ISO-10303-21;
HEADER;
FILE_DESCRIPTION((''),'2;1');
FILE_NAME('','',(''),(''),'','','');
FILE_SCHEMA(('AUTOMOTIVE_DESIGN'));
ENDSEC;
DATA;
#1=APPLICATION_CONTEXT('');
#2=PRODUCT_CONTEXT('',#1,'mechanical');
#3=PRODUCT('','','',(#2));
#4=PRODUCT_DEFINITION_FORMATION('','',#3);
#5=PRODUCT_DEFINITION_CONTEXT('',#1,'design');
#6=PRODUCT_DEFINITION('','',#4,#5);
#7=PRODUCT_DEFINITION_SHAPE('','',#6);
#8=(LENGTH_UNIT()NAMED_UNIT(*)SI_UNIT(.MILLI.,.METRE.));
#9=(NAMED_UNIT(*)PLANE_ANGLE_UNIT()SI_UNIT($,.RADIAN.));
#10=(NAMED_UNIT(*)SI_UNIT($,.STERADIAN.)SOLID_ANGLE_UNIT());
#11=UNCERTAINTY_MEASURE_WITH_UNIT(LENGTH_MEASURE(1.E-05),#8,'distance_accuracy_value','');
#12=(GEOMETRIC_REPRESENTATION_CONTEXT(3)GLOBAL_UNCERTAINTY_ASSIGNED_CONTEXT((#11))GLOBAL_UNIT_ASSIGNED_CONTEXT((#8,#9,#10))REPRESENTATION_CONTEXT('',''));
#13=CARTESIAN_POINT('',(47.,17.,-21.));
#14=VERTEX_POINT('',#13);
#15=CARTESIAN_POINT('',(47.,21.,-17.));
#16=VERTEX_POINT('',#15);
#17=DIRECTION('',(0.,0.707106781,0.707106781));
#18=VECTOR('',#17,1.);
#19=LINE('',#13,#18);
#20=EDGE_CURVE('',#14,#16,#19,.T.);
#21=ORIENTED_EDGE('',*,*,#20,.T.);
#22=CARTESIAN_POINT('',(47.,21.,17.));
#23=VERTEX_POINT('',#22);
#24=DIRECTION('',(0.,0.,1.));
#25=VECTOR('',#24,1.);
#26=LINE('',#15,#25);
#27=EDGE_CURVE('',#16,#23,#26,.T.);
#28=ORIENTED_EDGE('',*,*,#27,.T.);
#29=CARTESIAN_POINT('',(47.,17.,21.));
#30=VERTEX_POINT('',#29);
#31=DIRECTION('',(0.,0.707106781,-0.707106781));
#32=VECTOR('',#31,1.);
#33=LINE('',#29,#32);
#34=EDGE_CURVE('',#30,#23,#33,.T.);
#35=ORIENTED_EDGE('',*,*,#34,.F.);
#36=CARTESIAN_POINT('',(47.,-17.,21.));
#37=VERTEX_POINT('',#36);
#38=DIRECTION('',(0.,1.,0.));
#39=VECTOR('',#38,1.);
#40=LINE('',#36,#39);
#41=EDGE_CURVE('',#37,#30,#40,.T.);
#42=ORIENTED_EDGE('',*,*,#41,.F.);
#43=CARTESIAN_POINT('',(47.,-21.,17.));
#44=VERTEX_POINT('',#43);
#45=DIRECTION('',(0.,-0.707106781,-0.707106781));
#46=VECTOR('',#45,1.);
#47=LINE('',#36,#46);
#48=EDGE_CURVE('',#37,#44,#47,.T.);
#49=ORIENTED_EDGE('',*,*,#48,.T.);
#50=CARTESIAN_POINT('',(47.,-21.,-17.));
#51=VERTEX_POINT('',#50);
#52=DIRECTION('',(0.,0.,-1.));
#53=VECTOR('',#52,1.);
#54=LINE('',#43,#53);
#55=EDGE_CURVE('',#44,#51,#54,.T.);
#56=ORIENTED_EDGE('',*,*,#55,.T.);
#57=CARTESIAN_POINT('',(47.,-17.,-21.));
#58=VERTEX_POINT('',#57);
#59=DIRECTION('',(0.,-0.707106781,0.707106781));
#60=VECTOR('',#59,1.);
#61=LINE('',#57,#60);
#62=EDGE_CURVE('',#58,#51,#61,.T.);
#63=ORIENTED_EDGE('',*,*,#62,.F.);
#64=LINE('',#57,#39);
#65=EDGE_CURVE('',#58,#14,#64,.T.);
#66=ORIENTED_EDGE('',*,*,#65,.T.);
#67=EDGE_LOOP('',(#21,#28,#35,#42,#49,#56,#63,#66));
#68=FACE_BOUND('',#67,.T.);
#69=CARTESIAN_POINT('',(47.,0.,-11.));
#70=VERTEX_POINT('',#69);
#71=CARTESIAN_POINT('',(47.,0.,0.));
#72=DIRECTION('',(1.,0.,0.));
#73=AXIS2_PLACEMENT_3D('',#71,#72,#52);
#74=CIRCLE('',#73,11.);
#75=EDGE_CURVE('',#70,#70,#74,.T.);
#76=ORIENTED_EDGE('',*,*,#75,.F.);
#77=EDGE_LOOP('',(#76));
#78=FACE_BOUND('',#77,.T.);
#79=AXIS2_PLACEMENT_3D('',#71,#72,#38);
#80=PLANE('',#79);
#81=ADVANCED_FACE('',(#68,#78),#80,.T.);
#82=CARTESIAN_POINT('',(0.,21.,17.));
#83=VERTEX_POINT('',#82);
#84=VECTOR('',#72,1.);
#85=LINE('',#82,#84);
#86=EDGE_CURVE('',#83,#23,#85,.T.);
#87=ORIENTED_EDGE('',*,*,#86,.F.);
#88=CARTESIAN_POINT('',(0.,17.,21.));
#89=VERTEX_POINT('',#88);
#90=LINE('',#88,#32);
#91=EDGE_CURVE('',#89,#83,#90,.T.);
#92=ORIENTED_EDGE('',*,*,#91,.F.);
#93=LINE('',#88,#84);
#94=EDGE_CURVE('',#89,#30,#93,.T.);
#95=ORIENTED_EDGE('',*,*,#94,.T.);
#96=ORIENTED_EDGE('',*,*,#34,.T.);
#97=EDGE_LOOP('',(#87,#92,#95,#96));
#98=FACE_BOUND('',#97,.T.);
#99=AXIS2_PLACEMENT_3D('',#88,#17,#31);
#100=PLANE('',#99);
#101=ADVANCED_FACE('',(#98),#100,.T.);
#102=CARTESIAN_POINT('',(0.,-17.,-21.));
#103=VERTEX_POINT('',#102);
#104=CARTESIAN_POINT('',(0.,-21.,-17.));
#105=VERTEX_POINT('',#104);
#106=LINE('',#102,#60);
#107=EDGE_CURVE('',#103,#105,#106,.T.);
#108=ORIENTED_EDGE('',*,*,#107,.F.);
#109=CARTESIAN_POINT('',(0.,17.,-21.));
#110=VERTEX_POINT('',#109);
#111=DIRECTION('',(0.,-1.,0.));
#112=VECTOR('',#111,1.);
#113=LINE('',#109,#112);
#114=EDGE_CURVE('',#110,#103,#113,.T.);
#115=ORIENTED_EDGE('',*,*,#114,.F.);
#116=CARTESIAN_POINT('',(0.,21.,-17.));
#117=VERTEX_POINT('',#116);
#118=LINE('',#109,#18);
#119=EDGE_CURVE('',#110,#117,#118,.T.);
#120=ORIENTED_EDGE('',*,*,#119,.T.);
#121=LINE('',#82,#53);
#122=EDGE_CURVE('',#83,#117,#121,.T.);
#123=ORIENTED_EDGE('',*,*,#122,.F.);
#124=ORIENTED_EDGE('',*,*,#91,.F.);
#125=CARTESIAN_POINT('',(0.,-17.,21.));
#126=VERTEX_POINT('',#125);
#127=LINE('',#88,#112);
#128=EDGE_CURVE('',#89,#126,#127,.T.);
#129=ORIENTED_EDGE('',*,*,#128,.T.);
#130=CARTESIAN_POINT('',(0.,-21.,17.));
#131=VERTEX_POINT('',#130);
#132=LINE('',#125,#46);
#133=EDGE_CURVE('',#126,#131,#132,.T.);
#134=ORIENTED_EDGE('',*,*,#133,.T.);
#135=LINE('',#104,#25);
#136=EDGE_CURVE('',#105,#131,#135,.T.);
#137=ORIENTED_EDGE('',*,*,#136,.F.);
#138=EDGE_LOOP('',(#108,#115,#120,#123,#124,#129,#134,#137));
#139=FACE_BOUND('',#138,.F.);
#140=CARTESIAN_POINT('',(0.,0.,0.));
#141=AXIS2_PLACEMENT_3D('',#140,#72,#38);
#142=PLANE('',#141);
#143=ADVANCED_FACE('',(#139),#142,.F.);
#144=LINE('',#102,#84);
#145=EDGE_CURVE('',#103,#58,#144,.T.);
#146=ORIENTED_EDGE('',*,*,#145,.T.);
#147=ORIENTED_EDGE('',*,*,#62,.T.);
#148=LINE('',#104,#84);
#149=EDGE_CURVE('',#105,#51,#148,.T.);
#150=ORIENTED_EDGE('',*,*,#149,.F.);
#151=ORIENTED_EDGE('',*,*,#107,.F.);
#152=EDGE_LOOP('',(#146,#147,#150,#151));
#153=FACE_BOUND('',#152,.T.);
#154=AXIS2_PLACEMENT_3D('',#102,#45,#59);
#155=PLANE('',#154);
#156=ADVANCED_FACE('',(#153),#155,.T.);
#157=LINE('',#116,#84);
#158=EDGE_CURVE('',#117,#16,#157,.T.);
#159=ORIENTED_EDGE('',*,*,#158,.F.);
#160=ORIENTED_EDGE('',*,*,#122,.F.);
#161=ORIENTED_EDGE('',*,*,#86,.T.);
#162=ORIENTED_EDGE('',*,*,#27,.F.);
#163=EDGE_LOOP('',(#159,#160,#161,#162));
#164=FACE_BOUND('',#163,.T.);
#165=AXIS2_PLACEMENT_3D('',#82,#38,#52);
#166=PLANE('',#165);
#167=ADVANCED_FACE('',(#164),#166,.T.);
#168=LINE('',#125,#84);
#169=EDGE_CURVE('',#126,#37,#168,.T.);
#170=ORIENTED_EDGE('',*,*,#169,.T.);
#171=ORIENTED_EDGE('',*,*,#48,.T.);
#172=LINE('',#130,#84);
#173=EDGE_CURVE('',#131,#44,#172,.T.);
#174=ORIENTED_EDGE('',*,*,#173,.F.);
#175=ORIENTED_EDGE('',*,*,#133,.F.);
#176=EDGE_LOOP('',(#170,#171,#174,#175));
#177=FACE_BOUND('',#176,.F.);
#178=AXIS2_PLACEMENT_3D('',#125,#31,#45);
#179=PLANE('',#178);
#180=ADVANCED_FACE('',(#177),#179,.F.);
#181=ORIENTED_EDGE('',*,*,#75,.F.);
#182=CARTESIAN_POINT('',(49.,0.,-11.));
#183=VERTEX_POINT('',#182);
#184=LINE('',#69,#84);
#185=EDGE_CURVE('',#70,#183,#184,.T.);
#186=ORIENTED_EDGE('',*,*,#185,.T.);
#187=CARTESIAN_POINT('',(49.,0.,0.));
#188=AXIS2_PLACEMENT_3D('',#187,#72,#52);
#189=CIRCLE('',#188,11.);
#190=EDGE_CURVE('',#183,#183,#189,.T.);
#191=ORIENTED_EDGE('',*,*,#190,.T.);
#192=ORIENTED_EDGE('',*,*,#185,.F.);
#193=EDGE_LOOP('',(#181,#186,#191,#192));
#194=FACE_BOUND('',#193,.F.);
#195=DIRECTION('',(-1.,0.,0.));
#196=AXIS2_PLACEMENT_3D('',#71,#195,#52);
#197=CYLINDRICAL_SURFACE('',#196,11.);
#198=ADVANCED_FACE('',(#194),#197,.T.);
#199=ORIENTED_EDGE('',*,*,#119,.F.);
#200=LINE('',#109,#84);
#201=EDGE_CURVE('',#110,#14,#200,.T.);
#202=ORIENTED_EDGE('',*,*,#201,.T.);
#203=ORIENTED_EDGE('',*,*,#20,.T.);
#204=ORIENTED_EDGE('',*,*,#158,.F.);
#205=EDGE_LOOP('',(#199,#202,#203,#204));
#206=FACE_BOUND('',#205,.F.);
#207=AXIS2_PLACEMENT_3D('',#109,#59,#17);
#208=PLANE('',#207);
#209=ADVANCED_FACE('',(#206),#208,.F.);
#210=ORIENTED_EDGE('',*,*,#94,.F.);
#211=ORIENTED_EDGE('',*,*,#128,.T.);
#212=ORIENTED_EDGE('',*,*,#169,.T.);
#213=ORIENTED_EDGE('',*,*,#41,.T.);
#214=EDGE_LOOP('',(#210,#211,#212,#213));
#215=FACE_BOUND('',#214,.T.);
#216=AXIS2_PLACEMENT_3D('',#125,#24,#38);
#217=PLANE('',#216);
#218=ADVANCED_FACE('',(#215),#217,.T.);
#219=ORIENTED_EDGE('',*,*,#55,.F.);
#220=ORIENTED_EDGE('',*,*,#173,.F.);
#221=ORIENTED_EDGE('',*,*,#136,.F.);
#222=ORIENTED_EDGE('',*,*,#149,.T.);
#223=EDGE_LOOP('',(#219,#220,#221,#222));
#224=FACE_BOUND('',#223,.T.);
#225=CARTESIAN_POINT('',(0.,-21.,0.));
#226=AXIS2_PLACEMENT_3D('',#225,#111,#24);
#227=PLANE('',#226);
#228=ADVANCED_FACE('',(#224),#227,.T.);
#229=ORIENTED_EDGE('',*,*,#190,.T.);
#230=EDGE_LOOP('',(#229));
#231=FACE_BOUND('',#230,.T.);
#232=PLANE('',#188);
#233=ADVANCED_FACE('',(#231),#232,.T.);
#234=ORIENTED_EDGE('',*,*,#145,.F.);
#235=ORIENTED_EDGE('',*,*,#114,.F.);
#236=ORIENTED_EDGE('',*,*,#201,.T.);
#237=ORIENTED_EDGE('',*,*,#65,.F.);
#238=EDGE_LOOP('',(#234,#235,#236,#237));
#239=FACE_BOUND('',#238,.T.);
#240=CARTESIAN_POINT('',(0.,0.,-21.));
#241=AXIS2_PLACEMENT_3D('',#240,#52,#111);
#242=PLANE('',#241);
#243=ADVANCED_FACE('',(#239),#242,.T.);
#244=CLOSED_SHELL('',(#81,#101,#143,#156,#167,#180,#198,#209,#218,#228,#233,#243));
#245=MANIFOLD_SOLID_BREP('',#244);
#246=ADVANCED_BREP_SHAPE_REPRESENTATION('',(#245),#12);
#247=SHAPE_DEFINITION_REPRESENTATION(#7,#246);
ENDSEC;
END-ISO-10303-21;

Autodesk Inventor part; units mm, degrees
ref_plane "YZ Plane" through (0, 0, 0) normal (1, 0, 0) x (0, 1, 0)
ref_plane "XZ Plane" through (0, 0, 0) normal (0, 1, 0) x (-1, 0, 0)
ref_plane "XY Plane" through (0, 0, 0) normal (0, 0, 1) x (1, 0, 0)
sketch "Sketch1" plane through (0, 0, 0) normal (1, 0, 0) x (0, 1, 0)
  line L0 (-21, 21) -> (21, 21)
  line L1 (21, 21) -> (21, -21)
  line L2 (21, -21) -> (-21, -21)
  line L3 (-21, -21) -> (-21, 21)
  line L4 (-21, 21) -> (21, -21) construction
  line L5 (21, 21) -> (-21, -21) construction
  line L6 (17, 21) -> (21, 17)
  line L7 (21, 0) -> (-21, 0)
  line L8 (0, 21) -> (0, -21)
  line L9 (17, -21) -> (21, -17)
  line L10 (-17, 21) -> (-21, 17)
  line L11 (-17, -21) -> (-21, -17)
  point P0 (0, 0)
  dimension "d0" = 42
  dimension "d1" = 42
  dimension "d2" = 4
  dimension "d3" = 4
extrude "Extrusion1" add sketch "Sketch1" along normal blind 47 contours L0 L8 L7 L3 L10 | L0 L6 L1 L7 L8 | L7 L8 L2 L11 L3 | L7 L1 L9 L2 L8
sketch "Sketch2" plane through (47, 0, 0) normal (1, 0, 0) x (0, 0, -1)
  circle A0 centre (0, 0) radius 11
  dimension "d6" = 22
extrude "Extrusion2" add sketch "Sketch2" along normal blind 2
properties part number "stepper" material "Iron, Cast"
